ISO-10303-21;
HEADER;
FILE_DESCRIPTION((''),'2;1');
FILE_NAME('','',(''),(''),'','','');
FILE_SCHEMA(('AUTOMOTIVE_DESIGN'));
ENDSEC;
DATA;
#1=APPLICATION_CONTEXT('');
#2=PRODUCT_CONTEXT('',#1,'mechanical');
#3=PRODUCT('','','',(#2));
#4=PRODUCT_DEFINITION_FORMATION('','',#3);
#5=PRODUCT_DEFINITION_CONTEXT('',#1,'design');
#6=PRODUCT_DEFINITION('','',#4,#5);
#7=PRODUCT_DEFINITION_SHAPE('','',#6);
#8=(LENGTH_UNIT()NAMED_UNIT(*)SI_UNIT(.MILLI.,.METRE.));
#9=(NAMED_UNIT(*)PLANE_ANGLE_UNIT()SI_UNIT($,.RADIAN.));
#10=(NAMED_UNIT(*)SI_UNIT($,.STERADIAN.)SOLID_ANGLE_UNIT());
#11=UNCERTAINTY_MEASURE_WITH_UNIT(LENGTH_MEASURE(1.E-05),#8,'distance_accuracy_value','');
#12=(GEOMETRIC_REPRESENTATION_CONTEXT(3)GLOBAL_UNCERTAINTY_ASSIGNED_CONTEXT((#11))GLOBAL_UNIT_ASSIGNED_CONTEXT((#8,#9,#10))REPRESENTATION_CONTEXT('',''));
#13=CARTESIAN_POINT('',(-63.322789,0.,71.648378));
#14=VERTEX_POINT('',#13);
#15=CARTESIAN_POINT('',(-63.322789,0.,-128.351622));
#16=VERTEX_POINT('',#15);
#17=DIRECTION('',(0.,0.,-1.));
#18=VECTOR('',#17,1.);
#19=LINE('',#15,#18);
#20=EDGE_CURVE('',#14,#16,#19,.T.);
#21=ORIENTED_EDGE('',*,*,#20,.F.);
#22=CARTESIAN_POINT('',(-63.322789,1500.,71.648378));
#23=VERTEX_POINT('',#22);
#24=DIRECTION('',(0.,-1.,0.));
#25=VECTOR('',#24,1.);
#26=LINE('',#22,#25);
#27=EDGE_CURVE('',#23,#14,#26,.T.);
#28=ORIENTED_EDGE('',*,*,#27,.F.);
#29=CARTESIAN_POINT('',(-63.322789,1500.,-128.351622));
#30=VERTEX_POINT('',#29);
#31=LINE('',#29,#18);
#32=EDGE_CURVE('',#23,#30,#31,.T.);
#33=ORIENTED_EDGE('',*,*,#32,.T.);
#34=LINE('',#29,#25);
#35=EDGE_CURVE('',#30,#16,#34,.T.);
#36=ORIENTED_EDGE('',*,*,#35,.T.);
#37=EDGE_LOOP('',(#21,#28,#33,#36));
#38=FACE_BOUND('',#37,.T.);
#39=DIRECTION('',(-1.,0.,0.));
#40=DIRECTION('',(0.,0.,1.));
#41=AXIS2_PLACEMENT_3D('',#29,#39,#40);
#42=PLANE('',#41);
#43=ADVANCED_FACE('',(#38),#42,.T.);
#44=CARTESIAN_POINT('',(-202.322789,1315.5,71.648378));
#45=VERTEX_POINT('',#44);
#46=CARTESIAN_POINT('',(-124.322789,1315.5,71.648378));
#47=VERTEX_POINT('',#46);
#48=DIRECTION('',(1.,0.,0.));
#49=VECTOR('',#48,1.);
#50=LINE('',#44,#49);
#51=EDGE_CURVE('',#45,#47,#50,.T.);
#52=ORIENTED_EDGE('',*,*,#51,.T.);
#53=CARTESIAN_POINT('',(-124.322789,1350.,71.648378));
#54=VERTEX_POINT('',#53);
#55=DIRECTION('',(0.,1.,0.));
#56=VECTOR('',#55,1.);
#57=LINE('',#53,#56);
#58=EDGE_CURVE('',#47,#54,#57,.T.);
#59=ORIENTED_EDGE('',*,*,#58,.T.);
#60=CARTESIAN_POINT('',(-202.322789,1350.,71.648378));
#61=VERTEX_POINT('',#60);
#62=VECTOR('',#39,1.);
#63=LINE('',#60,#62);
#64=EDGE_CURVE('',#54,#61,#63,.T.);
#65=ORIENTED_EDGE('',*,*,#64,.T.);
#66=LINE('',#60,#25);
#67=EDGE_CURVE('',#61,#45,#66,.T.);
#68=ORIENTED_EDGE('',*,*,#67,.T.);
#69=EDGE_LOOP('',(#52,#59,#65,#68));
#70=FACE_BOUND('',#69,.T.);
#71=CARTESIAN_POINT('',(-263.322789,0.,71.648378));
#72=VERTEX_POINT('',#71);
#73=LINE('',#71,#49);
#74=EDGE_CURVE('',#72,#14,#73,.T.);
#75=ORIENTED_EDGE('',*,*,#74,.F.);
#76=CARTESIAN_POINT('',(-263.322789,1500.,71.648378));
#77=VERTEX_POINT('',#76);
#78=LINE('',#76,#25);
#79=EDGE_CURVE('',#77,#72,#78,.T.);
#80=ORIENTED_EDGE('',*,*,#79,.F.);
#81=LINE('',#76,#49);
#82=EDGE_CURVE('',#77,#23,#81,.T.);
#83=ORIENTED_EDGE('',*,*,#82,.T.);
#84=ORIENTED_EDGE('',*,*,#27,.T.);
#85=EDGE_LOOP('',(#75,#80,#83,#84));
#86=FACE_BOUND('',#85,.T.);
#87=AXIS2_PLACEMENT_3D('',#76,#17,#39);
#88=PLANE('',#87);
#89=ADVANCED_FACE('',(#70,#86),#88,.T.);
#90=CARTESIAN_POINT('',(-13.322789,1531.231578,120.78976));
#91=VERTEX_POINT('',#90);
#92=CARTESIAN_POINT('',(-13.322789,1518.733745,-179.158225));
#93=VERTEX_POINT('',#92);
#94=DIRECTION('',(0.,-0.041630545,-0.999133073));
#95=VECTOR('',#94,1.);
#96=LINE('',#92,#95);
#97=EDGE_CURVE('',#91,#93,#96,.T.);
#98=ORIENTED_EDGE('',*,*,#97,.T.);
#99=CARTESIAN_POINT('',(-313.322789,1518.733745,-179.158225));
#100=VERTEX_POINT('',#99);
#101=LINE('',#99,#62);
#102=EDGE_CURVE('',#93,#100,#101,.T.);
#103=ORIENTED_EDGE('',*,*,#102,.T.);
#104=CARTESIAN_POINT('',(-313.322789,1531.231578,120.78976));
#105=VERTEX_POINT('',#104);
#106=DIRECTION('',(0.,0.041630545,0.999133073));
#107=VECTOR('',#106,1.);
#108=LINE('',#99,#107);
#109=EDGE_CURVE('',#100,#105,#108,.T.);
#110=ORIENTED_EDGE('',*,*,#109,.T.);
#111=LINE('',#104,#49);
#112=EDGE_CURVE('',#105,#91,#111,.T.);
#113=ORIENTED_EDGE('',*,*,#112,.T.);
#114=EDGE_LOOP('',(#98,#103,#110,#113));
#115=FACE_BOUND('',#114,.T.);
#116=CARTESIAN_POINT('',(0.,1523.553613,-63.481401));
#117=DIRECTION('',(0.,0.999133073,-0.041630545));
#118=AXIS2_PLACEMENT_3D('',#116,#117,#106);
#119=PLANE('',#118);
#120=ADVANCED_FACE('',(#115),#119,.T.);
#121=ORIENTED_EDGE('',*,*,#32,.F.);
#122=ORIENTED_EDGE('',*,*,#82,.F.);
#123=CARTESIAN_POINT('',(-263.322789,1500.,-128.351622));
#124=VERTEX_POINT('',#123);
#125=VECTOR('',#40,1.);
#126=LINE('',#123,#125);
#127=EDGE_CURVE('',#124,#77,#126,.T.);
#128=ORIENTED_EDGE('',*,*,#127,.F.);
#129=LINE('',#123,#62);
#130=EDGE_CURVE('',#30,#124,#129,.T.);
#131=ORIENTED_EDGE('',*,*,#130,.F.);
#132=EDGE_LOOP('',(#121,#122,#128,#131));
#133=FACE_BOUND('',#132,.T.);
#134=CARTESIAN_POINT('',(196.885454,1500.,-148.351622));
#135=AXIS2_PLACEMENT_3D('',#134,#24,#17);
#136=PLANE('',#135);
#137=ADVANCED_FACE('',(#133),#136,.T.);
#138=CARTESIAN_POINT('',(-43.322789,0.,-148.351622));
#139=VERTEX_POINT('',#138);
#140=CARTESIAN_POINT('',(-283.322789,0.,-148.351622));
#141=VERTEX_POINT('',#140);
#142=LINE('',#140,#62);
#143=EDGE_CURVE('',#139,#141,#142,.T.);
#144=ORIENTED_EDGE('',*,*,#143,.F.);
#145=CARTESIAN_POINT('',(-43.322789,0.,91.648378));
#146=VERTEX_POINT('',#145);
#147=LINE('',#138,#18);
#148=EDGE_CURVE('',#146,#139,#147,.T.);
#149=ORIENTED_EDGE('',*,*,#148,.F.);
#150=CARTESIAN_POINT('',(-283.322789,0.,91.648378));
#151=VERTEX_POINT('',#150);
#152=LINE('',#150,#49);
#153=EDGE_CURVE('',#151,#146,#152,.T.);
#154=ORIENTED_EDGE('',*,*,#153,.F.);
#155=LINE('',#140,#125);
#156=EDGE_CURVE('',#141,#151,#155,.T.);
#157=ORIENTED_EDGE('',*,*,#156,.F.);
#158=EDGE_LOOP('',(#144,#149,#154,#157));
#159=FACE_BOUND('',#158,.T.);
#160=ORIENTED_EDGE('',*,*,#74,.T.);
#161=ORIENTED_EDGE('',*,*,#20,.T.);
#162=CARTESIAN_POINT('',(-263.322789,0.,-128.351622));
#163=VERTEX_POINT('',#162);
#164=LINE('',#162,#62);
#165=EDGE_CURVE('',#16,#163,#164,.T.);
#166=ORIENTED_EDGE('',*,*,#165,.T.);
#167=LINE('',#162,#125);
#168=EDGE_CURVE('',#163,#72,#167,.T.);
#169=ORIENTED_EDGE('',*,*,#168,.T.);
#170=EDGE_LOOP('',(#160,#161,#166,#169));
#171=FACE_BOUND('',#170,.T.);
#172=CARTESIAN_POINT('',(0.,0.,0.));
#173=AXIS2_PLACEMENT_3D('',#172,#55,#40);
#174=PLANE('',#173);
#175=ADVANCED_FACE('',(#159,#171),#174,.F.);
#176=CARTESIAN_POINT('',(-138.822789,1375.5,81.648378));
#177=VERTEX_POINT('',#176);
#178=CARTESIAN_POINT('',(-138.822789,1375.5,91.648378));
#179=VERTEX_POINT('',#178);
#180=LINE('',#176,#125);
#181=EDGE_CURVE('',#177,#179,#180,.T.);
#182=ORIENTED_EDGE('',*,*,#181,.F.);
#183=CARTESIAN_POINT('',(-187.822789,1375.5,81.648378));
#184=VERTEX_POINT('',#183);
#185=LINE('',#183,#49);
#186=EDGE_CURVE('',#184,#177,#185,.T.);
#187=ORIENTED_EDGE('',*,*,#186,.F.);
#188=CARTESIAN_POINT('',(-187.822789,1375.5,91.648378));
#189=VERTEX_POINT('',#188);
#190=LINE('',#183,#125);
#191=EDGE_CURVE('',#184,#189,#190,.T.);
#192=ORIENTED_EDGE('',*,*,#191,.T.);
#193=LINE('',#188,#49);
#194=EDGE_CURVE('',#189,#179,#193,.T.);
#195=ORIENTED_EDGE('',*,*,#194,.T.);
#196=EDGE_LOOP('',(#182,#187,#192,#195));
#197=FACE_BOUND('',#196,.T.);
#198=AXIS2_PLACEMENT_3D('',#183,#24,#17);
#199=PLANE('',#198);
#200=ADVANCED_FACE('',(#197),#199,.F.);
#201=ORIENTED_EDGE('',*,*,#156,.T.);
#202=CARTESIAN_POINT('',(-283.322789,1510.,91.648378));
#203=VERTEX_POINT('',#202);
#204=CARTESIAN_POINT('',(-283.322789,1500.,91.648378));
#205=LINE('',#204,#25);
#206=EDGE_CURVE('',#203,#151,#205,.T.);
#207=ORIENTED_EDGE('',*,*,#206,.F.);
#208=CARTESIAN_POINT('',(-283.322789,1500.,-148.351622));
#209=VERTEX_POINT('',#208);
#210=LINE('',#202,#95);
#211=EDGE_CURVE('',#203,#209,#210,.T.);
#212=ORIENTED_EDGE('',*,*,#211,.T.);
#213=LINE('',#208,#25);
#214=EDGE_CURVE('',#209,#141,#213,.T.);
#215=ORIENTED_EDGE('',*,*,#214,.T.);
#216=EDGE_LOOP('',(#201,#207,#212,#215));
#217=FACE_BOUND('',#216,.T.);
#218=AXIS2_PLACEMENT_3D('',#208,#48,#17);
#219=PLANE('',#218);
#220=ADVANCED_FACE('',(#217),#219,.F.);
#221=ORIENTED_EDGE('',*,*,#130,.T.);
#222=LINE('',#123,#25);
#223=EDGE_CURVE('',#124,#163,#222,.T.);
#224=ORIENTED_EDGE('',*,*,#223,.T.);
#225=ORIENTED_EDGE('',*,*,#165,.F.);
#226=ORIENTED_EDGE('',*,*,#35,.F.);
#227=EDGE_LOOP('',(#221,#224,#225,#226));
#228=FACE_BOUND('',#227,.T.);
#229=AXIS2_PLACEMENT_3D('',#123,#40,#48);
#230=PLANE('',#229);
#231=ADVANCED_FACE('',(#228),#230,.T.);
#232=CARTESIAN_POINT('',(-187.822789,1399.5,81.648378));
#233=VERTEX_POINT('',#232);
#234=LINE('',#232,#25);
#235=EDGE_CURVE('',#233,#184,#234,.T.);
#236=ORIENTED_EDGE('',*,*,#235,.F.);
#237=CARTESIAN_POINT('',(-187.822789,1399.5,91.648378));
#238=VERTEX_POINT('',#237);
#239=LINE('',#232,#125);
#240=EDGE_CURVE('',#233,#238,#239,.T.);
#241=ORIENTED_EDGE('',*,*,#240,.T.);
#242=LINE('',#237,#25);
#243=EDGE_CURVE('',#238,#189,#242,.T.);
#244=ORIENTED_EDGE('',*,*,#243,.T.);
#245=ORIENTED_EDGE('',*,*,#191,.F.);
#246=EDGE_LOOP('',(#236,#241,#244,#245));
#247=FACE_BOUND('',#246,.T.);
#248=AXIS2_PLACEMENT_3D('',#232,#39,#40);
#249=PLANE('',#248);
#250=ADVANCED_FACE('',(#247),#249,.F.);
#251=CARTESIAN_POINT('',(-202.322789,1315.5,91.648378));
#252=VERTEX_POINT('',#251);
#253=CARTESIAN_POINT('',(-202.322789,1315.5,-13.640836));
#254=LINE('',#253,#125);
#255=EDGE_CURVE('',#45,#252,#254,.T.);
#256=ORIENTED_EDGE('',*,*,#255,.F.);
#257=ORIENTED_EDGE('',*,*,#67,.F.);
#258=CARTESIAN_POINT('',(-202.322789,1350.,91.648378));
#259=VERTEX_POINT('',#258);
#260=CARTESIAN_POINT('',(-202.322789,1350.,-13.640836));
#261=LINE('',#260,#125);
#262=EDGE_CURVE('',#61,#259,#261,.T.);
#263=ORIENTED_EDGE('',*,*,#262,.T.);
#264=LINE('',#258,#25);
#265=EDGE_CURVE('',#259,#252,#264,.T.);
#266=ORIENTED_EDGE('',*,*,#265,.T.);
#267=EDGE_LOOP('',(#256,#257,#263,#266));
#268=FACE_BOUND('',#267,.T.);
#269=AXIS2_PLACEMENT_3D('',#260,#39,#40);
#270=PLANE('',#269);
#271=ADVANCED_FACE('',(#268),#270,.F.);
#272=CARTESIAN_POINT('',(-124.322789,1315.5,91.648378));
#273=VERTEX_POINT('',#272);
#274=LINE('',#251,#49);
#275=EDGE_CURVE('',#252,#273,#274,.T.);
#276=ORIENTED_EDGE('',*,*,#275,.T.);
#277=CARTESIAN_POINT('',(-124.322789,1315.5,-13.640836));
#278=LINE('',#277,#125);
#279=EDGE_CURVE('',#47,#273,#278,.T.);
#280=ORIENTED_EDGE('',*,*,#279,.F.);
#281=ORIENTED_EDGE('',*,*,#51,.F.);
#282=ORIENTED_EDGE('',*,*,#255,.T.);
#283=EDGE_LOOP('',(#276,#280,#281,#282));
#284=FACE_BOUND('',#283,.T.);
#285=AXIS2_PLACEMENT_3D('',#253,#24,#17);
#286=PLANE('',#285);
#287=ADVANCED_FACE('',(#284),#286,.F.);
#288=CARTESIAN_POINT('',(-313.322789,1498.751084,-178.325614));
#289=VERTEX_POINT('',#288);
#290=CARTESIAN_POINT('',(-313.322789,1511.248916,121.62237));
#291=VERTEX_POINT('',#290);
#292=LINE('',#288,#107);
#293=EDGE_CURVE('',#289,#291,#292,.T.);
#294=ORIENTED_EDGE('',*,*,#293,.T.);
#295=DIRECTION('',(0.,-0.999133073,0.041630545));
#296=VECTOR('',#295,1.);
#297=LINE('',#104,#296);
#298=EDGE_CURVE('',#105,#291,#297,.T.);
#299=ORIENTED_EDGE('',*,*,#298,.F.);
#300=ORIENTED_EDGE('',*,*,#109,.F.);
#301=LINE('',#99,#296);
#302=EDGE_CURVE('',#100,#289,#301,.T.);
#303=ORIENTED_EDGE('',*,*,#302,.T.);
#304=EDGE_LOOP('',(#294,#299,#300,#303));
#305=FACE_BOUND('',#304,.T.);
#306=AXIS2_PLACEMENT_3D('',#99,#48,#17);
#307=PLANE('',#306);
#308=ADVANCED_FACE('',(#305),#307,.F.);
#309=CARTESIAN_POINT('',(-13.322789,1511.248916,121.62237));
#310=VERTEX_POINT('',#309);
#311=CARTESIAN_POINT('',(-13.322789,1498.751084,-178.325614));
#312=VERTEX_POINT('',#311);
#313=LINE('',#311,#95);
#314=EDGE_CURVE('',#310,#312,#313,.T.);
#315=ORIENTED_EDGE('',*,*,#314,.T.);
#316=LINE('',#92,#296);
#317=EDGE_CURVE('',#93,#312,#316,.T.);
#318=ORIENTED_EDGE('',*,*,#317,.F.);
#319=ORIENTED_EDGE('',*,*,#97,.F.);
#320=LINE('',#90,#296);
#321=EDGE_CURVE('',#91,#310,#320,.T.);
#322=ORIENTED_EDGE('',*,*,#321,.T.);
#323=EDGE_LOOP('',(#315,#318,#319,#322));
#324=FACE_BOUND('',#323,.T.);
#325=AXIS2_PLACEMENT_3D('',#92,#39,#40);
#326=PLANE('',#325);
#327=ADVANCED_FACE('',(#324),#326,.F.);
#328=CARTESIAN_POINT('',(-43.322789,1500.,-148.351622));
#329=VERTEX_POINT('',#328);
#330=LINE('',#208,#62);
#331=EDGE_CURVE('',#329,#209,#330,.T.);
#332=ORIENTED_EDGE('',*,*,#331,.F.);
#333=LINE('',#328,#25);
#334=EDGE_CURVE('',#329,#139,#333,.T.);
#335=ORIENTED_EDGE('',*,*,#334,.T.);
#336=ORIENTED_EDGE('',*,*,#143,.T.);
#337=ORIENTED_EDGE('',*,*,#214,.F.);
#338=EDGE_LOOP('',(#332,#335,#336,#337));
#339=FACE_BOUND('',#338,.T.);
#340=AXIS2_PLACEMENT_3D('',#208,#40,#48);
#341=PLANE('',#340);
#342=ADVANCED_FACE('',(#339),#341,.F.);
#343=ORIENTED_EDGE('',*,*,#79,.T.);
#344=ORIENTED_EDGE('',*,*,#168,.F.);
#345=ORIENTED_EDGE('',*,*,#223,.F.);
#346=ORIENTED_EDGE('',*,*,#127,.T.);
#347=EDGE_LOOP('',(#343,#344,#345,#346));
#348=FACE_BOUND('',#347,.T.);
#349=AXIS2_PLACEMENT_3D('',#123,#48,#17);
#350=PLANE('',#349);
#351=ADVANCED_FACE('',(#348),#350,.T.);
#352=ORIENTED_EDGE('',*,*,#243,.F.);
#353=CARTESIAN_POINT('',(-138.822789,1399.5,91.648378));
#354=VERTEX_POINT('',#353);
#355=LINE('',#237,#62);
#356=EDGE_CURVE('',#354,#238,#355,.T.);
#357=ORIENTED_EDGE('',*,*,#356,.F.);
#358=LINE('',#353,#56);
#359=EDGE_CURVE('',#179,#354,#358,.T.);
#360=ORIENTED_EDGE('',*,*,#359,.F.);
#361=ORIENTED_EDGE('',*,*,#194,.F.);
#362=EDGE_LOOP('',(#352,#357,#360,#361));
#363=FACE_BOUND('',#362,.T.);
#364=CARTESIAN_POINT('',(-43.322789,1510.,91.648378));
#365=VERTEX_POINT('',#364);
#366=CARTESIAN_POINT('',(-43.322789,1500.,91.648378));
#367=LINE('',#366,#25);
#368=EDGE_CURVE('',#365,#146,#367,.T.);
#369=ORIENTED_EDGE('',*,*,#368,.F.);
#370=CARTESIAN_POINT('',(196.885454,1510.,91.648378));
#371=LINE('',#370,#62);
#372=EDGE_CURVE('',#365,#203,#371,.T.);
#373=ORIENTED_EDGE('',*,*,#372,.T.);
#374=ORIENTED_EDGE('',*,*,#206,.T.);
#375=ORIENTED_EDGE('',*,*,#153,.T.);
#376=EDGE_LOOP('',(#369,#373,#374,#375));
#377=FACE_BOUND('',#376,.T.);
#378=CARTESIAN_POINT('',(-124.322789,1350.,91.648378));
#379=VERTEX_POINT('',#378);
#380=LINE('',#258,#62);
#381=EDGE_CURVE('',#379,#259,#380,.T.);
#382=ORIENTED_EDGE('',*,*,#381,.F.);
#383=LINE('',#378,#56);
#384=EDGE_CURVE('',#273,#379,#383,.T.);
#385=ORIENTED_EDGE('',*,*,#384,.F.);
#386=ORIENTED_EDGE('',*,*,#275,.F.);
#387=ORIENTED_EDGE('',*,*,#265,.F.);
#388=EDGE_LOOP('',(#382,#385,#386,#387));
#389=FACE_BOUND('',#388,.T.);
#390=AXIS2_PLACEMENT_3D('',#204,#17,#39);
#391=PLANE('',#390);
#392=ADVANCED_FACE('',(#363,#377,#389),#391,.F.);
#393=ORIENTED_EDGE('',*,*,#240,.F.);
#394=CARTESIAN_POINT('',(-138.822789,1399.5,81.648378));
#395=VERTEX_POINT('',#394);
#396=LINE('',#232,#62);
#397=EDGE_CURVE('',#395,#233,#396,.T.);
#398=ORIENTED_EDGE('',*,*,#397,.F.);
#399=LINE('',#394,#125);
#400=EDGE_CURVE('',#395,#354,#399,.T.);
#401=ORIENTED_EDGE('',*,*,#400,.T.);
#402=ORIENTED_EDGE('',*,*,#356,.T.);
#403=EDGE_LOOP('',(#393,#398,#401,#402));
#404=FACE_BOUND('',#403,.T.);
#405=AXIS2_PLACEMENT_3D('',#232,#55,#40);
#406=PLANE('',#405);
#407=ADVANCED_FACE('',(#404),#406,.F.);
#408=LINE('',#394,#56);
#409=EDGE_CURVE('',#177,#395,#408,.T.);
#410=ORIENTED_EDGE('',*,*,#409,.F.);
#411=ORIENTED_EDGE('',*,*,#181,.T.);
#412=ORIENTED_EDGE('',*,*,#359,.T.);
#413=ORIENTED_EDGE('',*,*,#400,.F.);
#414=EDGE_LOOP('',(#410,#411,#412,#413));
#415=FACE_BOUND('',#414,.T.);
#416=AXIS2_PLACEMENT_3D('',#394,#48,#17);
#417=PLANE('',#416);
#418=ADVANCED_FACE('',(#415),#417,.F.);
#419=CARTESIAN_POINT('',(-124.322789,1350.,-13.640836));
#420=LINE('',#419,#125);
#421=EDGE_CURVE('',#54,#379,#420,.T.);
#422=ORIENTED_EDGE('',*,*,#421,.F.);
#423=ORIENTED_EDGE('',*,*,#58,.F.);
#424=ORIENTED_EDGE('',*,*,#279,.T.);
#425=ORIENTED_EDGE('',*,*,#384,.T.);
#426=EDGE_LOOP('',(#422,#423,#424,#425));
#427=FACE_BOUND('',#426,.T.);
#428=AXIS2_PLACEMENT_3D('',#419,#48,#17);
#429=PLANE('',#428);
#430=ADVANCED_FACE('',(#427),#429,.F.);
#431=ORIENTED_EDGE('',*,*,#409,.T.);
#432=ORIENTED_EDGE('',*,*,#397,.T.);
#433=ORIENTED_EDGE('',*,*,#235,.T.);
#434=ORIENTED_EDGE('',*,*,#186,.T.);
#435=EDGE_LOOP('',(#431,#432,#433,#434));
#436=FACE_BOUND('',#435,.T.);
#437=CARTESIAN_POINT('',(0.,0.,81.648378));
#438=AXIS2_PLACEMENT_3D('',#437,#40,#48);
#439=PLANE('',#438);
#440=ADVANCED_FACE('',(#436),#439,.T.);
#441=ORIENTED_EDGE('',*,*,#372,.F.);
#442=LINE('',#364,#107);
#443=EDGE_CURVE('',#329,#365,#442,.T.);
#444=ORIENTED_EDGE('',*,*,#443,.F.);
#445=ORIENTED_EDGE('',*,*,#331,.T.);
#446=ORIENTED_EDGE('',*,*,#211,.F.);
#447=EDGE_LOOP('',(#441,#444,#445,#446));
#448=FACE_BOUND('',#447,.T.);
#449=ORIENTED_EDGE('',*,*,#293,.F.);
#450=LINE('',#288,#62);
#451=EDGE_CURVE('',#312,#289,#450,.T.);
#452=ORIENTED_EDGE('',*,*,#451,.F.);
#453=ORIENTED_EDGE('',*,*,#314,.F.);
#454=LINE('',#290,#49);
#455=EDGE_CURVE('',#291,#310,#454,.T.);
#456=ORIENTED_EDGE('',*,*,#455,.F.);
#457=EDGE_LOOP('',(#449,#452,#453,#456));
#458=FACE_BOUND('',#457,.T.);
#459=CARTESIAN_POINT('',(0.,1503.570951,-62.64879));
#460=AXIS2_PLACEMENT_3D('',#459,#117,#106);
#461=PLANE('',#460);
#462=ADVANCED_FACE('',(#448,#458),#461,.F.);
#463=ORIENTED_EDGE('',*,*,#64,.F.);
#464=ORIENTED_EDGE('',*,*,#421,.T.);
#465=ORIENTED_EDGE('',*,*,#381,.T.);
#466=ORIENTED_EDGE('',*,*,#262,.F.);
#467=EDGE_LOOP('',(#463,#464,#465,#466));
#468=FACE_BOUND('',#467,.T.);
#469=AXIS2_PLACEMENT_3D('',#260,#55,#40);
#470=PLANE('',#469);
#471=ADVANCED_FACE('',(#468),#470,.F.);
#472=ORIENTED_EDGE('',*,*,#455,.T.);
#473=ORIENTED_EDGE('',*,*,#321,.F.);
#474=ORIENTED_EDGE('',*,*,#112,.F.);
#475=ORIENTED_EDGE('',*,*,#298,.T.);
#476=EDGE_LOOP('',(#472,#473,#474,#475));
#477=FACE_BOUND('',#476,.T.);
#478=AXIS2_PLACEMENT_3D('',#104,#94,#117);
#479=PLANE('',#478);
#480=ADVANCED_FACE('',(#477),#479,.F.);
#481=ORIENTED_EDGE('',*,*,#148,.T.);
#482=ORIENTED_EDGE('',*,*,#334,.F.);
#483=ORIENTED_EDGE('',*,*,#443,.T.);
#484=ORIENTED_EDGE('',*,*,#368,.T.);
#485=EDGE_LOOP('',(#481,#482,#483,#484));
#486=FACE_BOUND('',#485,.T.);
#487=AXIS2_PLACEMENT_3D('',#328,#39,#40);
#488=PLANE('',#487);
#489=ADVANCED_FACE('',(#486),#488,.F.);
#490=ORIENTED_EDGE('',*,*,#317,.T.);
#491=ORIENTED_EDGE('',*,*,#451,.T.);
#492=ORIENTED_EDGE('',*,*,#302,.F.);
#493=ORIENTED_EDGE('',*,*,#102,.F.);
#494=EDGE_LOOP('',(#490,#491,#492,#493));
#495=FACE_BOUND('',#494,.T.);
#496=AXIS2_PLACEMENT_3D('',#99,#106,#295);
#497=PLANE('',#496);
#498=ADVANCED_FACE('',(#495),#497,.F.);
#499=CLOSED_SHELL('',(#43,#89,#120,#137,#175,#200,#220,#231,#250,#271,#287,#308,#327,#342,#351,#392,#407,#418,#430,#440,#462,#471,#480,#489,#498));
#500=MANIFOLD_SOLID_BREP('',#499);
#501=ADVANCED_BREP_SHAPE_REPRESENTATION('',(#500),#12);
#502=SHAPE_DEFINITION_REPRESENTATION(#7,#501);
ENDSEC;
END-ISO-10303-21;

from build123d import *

# Parameters (mm, degrees)
SKETCH_1_W          = 240
SKETCH_1_H          = 240
SKETCH_1_W_2        = 200
SKETCH_1_H_2        = 200
EXTRUDE_1_DEPTH     = 1500
SKETCH_2_W          = 78
SKETCH_2_H          = 34.5
CUT_EXTRUDE_1_DEPTH = 20
EXTRUDE_2_DEPTH     = 240
SKETCH_4_W          = 300
SKETCH_4_H          = 300.208242989
EXTRUDE_3_DEPTH     = 20
SKETCH_6_W          = 49
SKETCH_6_H          = 24
CUT_EXTRUDE_3_DEPTH = 10


with BuildPart() as part:
    # Эскиз1 → Бобышка-Вытянуть1 (new body)
    with BuildSketch(Plane(origin=(0, 0, 0), x_dir=(1, 0, 0), z_dir=(0, 1, 0))):
        with Locations((-163.322789272, 28.35162174)):
            Rectangle(SKETCH_1_W, SKETCH_1_H)
        with Locations((-163.322789272, 28.35162174)):
            Rectangle(SKETCH_1_W_2, SKETCH_1_H_2, mode=Mode.SUBTRACT)
    extrude(amount=EXTRUDE_1_DEPTH)

    # Эскиз2 → Вырез-Вытянуть1 (cut)
    with BuildSketch(Plane.XY.offset(91.64837826)):
        with Locations((-163.322789272, 1332.75)):
            Rectangle(SKETCH_2_W, SKETCH_2_H)
    extrude(amount=-CUT_EXTRUDE_1_DEPTH, mode=Mode.SUBTRACT)

    # Эскиз3 → Бобышка-Вытянуть2 (add)
    with BuildSketch(Plane.ZY.offset(283.322789272)):
        Polygon((-148.35162174, 1500), (91.64837826, 1500), (91.64837826, 1510), align=None)
    extrude(amount=-EXTRUDE_2_DEPTH)

    # Эскиз4 → Бобышка-Вытянуть3 (add)
    with BuildSketch(Plane(origin=(0, 1503.570951338, -62.648789639), x_dir=(1, 0, 0), z_dir=(0, 0.999133073092352, -0.041630544712181396))):
        with Locations((-163.322789272, -34.326926836)):
            Rectangle(SKETCH_4_W, SKETCH_4_H)
    extrude(amount=EXTRUDE_3_DEPTH)

    # Эскиз6 → Вырез-Вытянуть3 (cut)
    with BuildSketch(Plane.XY.offset(91.64837826)):
        with Locations((-163.322789272, 1387.5)):
            Rectangle(SKETCH_6_W, SKETCH_6_H)
    extrude(amount=-CUT_EXTRUDE_3_DEPTH, mode=Mode.SUBTRACT)


solid = part.part
